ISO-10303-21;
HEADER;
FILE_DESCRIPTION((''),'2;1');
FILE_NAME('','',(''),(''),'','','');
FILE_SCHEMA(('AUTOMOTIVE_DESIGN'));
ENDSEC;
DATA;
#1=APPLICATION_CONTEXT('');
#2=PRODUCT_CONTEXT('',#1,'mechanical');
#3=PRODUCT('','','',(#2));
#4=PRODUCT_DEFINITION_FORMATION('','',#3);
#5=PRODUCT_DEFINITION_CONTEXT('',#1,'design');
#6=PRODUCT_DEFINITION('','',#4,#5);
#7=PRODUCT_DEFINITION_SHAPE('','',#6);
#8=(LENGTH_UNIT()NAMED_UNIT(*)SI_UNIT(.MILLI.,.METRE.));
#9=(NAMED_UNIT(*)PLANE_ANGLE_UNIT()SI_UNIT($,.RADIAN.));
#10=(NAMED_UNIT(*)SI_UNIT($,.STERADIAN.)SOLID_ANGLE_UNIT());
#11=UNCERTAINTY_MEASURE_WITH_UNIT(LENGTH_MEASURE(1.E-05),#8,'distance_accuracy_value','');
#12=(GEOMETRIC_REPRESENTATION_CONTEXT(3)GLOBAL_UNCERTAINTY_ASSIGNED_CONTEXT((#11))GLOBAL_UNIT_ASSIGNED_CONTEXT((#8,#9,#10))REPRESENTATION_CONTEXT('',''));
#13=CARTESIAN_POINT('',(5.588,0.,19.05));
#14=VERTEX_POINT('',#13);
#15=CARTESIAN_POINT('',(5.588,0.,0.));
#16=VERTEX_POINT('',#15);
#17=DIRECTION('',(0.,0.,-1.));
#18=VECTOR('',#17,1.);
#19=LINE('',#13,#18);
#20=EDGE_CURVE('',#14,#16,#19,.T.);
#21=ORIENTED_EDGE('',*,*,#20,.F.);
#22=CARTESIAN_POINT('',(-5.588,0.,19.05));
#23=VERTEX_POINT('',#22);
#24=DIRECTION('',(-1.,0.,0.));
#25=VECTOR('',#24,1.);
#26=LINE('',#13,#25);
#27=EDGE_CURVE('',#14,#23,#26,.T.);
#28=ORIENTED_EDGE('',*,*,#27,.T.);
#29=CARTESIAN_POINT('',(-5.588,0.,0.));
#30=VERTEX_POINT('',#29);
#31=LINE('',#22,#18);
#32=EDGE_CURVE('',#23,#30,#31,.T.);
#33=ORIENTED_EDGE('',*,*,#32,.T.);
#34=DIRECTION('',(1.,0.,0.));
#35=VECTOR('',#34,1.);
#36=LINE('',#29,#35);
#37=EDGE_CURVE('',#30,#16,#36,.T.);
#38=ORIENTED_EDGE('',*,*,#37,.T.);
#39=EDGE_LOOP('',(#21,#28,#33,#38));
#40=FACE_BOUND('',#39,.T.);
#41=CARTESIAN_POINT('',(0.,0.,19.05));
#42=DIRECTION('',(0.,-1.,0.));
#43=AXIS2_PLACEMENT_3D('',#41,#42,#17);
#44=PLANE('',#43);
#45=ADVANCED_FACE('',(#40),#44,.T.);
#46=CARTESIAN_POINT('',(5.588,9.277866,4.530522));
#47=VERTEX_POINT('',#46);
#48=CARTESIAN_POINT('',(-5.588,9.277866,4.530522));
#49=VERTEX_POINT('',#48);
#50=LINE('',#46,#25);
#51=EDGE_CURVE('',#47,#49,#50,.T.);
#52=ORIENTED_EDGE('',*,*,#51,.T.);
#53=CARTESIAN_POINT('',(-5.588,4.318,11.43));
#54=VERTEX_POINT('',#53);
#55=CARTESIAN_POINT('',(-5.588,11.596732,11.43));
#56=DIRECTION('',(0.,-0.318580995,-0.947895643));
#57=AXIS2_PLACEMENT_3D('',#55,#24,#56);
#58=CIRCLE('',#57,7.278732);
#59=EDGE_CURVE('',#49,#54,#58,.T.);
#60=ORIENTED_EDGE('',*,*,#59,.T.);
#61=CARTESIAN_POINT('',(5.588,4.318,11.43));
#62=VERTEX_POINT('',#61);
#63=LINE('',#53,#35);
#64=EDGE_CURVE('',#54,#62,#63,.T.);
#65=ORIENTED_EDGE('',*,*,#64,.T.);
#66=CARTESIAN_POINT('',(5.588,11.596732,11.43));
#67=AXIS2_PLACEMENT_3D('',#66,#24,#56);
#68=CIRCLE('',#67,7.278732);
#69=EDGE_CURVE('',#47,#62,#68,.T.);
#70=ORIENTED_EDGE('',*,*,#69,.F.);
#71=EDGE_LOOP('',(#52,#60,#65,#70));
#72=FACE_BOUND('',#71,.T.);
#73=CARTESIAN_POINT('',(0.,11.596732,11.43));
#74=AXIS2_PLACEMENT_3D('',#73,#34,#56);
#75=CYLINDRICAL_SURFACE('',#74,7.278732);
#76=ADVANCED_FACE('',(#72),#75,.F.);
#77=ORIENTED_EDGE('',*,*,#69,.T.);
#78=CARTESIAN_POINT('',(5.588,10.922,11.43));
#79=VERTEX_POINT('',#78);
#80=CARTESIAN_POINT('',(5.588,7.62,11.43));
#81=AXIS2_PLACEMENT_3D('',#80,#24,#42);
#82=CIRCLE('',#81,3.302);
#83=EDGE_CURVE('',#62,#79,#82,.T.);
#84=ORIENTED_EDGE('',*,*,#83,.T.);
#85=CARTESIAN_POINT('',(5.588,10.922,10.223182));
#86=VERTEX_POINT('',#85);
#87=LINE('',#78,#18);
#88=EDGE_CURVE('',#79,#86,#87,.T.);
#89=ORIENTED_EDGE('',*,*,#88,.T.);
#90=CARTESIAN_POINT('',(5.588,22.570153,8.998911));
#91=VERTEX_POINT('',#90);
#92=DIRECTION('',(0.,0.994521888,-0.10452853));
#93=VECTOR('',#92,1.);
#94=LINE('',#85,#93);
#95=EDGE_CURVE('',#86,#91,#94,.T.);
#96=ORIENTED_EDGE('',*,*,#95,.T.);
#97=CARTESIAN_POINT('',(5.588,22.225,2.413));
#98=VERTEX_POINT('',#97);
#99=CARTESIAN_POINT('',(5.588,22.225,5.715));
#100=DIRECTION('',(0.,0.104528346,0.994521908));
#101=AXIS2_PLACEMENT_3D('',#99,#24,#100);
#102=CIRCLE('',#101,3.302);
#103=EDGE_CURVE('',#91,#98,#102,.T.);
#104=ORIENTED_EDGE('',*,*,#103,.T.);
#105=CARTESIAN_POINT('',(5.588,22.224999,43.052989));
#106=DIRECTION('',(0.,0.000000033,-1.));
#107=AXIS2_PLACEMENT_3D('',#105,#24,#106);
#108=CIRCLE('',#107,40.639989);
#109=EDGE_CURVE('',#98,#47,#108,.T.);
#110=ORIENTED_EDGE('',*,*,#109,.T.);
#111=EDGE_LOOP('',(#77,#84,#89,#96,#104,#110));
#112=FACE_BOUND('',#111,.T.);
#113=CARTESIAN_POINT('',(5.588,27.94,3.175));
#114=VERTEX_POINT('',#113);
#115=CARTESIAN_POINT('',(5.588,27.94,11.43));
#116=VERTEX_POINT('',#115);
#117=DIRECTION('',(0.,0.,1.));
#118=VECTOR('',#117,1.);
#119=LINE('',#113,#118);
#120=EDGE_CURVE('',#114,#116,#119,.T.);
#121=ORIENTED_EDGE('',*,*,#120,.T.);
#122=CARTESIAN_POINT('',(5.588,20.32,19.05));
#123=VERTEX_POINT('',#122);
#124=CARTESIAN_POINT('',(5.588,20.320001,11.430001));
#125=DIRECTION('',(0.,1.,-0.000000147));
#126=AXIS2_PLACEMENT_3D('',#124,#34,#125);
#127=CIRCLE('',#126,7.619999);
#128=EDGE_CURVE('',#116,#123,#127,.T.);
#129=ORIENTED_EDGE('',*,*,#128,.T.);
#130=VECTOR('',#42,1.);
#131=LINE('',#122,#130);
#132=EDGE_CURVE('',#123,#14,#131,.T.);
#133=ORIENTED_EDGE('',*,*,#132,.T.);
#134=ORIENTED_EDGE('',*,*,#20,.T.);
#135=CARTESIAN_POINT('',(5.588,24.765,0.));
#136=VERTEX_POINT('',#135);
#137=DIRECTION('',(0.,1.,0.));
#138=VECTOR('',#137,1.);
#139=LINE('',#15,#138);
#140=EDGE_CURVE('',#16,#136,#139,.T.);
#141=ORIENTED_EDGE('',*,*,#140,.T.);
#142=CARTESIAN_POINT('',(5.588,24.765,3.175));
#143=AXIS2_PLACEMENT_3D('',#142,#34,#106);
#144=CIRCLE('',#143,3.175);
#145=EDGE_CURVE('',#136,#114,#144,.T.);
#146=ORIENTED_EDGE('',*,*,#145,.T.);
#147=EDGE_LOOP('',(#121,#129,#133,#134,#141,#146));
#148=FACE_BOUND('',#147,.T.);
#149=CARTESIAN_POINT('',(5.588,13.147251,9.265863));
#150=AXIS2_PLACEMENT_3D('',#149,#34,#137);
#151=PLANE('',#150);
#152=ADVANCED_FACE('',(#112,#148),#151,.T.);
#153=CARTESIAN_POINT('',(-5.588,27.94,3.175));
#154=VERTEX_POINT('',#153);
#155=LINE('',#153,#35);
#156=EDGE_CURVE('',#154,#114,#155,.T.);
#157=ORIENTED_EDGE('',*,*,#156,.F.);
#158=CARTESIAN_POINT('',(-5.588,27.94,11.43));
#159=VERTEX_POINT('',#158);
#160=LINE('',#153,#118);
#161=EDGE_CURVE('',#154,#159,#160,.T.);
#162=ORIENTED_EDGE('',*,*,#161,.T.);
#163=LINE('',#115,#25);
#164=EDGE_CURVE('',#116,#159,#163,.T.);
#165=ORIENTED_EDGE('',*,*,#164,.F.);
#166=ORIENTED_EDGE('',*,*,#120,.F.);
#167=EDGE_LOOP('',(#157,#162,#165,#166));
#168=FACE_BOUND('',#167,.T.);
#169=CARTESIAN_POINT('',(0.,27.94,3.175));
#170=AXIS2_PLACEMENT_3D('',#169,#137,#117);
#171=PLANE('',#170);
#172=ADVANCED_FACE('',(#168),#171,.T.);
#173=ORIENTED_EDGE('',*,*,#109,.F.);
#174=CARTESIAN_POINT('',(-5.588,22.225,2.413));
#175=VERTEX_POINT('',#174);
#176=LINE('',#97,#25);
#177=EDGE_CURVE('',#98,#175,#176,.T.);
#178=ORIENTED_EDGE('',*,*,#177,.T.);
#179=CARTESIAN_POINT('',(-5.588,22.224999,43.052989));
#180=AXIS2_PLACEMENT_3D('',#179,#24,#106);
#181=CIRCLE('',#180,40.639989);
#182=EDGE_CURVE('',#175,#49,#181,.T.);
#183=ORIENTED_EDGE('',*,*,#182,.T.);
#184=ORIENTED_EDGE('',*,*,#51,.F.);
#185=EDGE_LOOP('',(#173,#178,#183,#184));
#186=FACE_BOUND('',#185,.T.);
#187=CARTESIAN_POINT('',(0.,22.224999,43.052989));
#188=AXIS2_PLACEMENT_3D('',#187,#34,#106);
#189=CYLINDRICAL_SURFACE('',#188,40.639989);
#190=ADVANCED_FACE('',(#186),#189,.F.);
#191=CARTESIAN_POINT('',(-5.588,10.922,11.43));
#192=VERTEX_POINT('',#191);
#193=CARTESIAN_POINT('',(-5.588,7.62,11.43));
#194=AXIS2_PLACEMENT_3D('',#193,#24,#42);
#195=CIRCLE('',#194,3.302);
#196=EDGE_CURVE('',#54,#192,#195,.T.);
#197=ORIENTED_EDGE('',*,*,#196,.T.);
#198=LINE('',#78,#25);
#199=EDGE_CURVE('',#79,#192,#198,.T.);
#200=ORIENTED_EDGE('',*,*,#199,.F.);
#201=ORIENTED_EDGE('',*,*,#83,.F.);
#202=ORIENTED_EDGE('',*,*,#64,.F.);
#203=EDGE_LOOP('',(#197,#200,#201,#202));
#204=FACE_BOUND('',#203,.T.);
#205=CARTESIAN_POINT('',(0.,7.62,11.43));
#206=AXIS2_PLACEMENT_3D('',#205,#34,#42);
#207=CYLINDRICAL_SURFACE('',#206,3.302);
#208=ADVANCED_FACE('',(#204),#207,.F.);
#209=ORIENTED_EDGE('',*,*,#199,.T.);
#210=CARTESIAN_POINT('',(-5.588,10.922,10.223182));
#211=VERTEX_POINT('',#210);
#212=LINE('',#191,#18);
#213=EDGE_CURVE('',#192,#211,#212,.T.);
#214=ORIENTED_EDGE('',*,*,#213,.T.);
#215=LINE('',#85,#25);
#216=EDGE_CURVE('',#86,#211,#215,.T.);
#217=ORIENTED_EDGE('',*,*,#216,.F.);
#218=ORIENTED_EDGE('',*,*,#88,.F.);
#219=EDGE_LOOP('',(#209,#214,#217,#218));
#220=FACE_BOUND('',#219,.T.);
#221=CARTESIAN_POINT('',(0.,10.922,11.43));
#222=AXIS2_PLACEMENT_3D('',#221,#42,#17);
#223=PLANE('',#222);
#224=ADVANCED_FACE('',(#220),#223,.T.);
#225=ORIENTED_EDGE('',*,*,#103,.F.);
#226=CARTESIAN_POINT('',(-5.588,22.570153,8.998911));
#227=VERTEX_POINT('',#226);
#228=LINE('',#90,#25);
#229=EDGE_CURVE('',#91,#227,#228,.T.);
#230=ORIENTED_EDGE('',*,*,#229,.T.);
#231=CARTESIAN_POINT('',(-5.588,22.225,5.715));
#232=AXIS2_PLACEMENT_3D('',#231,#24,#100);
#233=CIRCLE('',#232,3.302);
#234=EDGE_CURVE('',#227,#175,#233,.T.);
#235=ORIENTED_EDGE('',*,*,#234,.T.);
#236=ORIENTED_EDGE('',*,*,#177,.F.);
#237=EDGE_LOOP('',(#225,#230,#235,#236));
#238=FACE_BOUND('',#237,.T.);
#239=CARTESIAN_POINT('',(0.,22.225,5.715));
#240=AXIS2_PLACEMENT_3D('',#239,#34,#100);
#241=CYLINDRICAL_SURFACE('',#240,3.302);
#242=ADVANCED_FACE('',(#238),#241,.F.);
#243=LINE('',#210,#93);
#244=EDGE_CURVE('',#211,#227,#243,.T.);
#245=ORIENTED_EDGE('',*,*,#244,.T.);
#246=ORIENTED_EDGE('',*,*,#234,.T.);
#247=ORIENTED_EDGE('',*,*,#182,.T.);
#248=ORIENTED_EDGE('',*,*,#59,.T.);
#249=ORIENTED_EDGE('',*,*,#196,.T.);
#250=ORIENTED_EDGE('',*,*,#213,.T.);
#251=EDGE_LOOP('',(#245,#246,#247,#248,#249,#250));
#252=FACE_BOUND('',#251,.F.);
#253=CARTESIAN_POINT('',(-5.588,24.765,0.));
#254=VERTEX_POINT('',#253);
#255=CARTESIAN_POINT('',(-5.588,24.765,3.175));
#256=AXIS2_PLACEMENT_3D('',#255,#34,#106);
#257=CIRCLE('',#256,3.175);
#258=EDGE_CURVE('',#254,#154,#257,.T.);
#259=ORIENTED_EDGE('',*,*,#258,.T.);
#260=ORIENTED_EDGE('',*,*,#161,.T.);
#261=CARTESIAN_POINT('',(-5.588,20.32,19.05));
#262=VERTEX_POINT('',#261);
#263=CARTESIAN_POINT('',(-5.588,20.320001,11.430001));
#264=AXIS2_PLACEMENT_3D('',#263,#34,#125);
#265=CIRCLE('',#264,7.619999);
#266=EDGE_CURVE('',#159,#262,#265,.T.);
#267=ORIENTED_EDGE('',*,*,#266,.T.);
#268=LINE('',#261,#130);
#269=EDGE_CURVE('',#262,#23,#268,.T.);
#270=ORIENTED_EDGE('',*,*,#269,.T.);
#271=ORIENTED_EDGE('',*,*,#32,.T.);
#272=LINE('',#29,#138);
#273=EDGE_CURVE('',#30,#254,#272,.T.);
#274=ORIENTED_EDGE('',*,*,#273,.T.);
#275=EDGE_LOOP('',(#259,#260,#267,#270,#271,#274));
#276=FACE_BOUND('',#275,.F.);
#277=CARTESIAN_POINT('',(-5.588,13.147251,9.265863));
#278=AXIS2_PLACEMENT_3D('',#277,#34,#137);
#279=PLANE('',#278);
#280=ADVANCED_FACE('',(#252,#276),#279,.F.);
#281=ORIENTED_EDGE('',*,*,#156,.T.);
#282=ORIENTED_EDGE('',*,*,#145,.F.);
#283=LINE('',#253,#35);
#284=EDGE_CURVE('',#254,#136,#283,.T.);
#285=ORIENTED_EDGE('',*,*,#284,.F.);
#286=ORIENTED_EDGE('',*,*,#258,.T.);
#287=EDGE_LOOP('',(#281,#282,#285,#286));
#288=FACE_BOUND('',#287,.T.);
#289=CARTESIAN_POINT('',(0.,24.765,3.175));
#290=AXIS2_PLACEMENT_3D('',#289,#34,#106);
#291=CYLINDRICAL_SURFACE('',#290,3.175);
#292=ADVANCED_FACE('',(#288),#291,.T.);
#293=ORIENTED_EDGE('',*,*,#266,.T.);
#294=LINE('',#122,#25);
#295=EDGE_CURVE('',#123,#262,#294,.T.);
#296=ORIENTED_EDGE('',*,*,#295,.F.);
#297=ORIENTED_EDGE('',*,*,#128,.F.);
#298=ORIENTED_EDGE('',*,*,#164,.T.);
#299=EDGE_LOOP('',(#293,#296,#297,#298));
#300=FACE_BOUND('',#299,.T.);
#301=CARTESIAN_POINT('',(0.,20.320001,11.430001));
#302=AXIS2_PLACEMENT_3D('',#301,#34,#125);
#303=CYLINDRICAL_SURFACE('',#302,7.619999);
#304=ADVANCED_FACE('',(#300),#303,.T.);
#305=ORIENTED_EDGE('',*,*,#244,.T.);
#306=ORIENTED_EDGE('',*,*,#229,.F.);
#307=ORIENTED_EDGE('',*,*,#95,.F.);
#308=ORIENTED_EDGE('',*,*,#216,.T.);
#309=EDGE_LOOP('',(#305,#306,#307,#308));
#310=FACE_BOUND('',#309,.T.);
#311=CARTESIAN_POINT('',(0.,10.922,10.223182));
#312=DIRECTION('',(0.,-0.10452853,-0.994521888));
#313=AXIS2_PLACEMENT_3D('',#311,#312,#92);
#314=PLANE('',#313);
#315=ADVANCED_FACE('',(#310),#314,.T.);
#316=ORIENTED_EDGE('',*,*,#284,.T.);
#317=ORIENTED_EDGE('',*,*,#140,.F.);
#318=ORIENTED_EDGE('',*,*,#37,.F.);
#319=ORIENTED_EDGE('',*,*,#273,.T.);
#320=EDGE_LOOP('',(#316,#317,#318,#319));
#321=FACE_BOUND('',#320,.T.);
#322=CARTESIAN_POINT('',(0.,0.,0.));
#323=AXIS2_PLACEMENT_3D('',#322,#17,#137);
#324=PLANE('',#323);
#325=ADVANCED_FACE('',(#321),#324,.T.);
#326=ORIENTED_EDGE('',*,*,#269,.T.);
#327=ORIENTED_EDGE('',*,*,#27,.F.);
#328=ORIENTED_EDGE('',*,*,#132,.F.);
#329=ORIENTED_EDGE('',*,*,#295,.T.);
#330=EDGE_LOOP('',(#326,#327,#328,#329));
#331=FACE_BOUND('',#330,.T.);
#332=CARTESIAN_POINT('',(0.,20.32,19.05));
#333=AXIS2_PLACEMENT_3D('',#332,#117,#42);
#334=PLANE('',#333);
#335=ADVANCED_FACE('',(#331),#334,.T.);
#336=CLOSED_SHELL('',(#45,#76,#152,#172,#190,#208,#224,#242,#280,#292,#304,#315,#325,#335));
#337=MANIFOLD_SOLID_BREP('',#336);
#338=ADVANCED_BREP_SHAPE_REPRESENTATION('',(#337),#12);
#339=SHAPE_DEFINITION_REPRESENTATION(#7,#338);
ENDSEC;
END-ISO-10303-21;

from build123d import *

# Parameters (mm, degrees)
F1_DEPTH = 5.588


with BuildPart() as f1:
    # F0 (on Right) → F1 (new body, symmetric)
    with BuildSketch(Plane.YZ):
        with BuildLine():
            Line((0, 19.05), (0, 0))
            Line((0, 0), (24.765, 0))
            ThreePointArc((24.765, 0), (27.010064, 0.929936), (27.94, 3.175))
            Line((27.94, 3.175), (27.94, 11.43))
            ThreePointArc((27.94, 11.43), (25.708154, 16.818154), (20.32, 19.05))
            Line((20.32, 19.05), (0, 19.05))
        make_face()
        with BuildLine():
            ThreePointArc((4.318, 11.43), (7.62, 14.732), (10.922, 11.43))
            Line((10.922, 11.43), (10.922, 10.223182))
            Line((10.922, 10.223182), (22.570153, 8.998911))
            ThreePointArc((22.570153, 8.998911), (25.522475, 5.542187), (22.225, 2.413))
            ThreePointArc((22.225, 2.413), (15.665423, 2.945874), (9.277866, 4.530522))
            ThreePointArc((9.277866, 4.530522), (5.686641, 7.181381), (4.318, 11.43))
        make_face(mode=Mode.SUBTRACT)
    extrude(amount=F1_DEPTH, both=True)


solid = f1.part
